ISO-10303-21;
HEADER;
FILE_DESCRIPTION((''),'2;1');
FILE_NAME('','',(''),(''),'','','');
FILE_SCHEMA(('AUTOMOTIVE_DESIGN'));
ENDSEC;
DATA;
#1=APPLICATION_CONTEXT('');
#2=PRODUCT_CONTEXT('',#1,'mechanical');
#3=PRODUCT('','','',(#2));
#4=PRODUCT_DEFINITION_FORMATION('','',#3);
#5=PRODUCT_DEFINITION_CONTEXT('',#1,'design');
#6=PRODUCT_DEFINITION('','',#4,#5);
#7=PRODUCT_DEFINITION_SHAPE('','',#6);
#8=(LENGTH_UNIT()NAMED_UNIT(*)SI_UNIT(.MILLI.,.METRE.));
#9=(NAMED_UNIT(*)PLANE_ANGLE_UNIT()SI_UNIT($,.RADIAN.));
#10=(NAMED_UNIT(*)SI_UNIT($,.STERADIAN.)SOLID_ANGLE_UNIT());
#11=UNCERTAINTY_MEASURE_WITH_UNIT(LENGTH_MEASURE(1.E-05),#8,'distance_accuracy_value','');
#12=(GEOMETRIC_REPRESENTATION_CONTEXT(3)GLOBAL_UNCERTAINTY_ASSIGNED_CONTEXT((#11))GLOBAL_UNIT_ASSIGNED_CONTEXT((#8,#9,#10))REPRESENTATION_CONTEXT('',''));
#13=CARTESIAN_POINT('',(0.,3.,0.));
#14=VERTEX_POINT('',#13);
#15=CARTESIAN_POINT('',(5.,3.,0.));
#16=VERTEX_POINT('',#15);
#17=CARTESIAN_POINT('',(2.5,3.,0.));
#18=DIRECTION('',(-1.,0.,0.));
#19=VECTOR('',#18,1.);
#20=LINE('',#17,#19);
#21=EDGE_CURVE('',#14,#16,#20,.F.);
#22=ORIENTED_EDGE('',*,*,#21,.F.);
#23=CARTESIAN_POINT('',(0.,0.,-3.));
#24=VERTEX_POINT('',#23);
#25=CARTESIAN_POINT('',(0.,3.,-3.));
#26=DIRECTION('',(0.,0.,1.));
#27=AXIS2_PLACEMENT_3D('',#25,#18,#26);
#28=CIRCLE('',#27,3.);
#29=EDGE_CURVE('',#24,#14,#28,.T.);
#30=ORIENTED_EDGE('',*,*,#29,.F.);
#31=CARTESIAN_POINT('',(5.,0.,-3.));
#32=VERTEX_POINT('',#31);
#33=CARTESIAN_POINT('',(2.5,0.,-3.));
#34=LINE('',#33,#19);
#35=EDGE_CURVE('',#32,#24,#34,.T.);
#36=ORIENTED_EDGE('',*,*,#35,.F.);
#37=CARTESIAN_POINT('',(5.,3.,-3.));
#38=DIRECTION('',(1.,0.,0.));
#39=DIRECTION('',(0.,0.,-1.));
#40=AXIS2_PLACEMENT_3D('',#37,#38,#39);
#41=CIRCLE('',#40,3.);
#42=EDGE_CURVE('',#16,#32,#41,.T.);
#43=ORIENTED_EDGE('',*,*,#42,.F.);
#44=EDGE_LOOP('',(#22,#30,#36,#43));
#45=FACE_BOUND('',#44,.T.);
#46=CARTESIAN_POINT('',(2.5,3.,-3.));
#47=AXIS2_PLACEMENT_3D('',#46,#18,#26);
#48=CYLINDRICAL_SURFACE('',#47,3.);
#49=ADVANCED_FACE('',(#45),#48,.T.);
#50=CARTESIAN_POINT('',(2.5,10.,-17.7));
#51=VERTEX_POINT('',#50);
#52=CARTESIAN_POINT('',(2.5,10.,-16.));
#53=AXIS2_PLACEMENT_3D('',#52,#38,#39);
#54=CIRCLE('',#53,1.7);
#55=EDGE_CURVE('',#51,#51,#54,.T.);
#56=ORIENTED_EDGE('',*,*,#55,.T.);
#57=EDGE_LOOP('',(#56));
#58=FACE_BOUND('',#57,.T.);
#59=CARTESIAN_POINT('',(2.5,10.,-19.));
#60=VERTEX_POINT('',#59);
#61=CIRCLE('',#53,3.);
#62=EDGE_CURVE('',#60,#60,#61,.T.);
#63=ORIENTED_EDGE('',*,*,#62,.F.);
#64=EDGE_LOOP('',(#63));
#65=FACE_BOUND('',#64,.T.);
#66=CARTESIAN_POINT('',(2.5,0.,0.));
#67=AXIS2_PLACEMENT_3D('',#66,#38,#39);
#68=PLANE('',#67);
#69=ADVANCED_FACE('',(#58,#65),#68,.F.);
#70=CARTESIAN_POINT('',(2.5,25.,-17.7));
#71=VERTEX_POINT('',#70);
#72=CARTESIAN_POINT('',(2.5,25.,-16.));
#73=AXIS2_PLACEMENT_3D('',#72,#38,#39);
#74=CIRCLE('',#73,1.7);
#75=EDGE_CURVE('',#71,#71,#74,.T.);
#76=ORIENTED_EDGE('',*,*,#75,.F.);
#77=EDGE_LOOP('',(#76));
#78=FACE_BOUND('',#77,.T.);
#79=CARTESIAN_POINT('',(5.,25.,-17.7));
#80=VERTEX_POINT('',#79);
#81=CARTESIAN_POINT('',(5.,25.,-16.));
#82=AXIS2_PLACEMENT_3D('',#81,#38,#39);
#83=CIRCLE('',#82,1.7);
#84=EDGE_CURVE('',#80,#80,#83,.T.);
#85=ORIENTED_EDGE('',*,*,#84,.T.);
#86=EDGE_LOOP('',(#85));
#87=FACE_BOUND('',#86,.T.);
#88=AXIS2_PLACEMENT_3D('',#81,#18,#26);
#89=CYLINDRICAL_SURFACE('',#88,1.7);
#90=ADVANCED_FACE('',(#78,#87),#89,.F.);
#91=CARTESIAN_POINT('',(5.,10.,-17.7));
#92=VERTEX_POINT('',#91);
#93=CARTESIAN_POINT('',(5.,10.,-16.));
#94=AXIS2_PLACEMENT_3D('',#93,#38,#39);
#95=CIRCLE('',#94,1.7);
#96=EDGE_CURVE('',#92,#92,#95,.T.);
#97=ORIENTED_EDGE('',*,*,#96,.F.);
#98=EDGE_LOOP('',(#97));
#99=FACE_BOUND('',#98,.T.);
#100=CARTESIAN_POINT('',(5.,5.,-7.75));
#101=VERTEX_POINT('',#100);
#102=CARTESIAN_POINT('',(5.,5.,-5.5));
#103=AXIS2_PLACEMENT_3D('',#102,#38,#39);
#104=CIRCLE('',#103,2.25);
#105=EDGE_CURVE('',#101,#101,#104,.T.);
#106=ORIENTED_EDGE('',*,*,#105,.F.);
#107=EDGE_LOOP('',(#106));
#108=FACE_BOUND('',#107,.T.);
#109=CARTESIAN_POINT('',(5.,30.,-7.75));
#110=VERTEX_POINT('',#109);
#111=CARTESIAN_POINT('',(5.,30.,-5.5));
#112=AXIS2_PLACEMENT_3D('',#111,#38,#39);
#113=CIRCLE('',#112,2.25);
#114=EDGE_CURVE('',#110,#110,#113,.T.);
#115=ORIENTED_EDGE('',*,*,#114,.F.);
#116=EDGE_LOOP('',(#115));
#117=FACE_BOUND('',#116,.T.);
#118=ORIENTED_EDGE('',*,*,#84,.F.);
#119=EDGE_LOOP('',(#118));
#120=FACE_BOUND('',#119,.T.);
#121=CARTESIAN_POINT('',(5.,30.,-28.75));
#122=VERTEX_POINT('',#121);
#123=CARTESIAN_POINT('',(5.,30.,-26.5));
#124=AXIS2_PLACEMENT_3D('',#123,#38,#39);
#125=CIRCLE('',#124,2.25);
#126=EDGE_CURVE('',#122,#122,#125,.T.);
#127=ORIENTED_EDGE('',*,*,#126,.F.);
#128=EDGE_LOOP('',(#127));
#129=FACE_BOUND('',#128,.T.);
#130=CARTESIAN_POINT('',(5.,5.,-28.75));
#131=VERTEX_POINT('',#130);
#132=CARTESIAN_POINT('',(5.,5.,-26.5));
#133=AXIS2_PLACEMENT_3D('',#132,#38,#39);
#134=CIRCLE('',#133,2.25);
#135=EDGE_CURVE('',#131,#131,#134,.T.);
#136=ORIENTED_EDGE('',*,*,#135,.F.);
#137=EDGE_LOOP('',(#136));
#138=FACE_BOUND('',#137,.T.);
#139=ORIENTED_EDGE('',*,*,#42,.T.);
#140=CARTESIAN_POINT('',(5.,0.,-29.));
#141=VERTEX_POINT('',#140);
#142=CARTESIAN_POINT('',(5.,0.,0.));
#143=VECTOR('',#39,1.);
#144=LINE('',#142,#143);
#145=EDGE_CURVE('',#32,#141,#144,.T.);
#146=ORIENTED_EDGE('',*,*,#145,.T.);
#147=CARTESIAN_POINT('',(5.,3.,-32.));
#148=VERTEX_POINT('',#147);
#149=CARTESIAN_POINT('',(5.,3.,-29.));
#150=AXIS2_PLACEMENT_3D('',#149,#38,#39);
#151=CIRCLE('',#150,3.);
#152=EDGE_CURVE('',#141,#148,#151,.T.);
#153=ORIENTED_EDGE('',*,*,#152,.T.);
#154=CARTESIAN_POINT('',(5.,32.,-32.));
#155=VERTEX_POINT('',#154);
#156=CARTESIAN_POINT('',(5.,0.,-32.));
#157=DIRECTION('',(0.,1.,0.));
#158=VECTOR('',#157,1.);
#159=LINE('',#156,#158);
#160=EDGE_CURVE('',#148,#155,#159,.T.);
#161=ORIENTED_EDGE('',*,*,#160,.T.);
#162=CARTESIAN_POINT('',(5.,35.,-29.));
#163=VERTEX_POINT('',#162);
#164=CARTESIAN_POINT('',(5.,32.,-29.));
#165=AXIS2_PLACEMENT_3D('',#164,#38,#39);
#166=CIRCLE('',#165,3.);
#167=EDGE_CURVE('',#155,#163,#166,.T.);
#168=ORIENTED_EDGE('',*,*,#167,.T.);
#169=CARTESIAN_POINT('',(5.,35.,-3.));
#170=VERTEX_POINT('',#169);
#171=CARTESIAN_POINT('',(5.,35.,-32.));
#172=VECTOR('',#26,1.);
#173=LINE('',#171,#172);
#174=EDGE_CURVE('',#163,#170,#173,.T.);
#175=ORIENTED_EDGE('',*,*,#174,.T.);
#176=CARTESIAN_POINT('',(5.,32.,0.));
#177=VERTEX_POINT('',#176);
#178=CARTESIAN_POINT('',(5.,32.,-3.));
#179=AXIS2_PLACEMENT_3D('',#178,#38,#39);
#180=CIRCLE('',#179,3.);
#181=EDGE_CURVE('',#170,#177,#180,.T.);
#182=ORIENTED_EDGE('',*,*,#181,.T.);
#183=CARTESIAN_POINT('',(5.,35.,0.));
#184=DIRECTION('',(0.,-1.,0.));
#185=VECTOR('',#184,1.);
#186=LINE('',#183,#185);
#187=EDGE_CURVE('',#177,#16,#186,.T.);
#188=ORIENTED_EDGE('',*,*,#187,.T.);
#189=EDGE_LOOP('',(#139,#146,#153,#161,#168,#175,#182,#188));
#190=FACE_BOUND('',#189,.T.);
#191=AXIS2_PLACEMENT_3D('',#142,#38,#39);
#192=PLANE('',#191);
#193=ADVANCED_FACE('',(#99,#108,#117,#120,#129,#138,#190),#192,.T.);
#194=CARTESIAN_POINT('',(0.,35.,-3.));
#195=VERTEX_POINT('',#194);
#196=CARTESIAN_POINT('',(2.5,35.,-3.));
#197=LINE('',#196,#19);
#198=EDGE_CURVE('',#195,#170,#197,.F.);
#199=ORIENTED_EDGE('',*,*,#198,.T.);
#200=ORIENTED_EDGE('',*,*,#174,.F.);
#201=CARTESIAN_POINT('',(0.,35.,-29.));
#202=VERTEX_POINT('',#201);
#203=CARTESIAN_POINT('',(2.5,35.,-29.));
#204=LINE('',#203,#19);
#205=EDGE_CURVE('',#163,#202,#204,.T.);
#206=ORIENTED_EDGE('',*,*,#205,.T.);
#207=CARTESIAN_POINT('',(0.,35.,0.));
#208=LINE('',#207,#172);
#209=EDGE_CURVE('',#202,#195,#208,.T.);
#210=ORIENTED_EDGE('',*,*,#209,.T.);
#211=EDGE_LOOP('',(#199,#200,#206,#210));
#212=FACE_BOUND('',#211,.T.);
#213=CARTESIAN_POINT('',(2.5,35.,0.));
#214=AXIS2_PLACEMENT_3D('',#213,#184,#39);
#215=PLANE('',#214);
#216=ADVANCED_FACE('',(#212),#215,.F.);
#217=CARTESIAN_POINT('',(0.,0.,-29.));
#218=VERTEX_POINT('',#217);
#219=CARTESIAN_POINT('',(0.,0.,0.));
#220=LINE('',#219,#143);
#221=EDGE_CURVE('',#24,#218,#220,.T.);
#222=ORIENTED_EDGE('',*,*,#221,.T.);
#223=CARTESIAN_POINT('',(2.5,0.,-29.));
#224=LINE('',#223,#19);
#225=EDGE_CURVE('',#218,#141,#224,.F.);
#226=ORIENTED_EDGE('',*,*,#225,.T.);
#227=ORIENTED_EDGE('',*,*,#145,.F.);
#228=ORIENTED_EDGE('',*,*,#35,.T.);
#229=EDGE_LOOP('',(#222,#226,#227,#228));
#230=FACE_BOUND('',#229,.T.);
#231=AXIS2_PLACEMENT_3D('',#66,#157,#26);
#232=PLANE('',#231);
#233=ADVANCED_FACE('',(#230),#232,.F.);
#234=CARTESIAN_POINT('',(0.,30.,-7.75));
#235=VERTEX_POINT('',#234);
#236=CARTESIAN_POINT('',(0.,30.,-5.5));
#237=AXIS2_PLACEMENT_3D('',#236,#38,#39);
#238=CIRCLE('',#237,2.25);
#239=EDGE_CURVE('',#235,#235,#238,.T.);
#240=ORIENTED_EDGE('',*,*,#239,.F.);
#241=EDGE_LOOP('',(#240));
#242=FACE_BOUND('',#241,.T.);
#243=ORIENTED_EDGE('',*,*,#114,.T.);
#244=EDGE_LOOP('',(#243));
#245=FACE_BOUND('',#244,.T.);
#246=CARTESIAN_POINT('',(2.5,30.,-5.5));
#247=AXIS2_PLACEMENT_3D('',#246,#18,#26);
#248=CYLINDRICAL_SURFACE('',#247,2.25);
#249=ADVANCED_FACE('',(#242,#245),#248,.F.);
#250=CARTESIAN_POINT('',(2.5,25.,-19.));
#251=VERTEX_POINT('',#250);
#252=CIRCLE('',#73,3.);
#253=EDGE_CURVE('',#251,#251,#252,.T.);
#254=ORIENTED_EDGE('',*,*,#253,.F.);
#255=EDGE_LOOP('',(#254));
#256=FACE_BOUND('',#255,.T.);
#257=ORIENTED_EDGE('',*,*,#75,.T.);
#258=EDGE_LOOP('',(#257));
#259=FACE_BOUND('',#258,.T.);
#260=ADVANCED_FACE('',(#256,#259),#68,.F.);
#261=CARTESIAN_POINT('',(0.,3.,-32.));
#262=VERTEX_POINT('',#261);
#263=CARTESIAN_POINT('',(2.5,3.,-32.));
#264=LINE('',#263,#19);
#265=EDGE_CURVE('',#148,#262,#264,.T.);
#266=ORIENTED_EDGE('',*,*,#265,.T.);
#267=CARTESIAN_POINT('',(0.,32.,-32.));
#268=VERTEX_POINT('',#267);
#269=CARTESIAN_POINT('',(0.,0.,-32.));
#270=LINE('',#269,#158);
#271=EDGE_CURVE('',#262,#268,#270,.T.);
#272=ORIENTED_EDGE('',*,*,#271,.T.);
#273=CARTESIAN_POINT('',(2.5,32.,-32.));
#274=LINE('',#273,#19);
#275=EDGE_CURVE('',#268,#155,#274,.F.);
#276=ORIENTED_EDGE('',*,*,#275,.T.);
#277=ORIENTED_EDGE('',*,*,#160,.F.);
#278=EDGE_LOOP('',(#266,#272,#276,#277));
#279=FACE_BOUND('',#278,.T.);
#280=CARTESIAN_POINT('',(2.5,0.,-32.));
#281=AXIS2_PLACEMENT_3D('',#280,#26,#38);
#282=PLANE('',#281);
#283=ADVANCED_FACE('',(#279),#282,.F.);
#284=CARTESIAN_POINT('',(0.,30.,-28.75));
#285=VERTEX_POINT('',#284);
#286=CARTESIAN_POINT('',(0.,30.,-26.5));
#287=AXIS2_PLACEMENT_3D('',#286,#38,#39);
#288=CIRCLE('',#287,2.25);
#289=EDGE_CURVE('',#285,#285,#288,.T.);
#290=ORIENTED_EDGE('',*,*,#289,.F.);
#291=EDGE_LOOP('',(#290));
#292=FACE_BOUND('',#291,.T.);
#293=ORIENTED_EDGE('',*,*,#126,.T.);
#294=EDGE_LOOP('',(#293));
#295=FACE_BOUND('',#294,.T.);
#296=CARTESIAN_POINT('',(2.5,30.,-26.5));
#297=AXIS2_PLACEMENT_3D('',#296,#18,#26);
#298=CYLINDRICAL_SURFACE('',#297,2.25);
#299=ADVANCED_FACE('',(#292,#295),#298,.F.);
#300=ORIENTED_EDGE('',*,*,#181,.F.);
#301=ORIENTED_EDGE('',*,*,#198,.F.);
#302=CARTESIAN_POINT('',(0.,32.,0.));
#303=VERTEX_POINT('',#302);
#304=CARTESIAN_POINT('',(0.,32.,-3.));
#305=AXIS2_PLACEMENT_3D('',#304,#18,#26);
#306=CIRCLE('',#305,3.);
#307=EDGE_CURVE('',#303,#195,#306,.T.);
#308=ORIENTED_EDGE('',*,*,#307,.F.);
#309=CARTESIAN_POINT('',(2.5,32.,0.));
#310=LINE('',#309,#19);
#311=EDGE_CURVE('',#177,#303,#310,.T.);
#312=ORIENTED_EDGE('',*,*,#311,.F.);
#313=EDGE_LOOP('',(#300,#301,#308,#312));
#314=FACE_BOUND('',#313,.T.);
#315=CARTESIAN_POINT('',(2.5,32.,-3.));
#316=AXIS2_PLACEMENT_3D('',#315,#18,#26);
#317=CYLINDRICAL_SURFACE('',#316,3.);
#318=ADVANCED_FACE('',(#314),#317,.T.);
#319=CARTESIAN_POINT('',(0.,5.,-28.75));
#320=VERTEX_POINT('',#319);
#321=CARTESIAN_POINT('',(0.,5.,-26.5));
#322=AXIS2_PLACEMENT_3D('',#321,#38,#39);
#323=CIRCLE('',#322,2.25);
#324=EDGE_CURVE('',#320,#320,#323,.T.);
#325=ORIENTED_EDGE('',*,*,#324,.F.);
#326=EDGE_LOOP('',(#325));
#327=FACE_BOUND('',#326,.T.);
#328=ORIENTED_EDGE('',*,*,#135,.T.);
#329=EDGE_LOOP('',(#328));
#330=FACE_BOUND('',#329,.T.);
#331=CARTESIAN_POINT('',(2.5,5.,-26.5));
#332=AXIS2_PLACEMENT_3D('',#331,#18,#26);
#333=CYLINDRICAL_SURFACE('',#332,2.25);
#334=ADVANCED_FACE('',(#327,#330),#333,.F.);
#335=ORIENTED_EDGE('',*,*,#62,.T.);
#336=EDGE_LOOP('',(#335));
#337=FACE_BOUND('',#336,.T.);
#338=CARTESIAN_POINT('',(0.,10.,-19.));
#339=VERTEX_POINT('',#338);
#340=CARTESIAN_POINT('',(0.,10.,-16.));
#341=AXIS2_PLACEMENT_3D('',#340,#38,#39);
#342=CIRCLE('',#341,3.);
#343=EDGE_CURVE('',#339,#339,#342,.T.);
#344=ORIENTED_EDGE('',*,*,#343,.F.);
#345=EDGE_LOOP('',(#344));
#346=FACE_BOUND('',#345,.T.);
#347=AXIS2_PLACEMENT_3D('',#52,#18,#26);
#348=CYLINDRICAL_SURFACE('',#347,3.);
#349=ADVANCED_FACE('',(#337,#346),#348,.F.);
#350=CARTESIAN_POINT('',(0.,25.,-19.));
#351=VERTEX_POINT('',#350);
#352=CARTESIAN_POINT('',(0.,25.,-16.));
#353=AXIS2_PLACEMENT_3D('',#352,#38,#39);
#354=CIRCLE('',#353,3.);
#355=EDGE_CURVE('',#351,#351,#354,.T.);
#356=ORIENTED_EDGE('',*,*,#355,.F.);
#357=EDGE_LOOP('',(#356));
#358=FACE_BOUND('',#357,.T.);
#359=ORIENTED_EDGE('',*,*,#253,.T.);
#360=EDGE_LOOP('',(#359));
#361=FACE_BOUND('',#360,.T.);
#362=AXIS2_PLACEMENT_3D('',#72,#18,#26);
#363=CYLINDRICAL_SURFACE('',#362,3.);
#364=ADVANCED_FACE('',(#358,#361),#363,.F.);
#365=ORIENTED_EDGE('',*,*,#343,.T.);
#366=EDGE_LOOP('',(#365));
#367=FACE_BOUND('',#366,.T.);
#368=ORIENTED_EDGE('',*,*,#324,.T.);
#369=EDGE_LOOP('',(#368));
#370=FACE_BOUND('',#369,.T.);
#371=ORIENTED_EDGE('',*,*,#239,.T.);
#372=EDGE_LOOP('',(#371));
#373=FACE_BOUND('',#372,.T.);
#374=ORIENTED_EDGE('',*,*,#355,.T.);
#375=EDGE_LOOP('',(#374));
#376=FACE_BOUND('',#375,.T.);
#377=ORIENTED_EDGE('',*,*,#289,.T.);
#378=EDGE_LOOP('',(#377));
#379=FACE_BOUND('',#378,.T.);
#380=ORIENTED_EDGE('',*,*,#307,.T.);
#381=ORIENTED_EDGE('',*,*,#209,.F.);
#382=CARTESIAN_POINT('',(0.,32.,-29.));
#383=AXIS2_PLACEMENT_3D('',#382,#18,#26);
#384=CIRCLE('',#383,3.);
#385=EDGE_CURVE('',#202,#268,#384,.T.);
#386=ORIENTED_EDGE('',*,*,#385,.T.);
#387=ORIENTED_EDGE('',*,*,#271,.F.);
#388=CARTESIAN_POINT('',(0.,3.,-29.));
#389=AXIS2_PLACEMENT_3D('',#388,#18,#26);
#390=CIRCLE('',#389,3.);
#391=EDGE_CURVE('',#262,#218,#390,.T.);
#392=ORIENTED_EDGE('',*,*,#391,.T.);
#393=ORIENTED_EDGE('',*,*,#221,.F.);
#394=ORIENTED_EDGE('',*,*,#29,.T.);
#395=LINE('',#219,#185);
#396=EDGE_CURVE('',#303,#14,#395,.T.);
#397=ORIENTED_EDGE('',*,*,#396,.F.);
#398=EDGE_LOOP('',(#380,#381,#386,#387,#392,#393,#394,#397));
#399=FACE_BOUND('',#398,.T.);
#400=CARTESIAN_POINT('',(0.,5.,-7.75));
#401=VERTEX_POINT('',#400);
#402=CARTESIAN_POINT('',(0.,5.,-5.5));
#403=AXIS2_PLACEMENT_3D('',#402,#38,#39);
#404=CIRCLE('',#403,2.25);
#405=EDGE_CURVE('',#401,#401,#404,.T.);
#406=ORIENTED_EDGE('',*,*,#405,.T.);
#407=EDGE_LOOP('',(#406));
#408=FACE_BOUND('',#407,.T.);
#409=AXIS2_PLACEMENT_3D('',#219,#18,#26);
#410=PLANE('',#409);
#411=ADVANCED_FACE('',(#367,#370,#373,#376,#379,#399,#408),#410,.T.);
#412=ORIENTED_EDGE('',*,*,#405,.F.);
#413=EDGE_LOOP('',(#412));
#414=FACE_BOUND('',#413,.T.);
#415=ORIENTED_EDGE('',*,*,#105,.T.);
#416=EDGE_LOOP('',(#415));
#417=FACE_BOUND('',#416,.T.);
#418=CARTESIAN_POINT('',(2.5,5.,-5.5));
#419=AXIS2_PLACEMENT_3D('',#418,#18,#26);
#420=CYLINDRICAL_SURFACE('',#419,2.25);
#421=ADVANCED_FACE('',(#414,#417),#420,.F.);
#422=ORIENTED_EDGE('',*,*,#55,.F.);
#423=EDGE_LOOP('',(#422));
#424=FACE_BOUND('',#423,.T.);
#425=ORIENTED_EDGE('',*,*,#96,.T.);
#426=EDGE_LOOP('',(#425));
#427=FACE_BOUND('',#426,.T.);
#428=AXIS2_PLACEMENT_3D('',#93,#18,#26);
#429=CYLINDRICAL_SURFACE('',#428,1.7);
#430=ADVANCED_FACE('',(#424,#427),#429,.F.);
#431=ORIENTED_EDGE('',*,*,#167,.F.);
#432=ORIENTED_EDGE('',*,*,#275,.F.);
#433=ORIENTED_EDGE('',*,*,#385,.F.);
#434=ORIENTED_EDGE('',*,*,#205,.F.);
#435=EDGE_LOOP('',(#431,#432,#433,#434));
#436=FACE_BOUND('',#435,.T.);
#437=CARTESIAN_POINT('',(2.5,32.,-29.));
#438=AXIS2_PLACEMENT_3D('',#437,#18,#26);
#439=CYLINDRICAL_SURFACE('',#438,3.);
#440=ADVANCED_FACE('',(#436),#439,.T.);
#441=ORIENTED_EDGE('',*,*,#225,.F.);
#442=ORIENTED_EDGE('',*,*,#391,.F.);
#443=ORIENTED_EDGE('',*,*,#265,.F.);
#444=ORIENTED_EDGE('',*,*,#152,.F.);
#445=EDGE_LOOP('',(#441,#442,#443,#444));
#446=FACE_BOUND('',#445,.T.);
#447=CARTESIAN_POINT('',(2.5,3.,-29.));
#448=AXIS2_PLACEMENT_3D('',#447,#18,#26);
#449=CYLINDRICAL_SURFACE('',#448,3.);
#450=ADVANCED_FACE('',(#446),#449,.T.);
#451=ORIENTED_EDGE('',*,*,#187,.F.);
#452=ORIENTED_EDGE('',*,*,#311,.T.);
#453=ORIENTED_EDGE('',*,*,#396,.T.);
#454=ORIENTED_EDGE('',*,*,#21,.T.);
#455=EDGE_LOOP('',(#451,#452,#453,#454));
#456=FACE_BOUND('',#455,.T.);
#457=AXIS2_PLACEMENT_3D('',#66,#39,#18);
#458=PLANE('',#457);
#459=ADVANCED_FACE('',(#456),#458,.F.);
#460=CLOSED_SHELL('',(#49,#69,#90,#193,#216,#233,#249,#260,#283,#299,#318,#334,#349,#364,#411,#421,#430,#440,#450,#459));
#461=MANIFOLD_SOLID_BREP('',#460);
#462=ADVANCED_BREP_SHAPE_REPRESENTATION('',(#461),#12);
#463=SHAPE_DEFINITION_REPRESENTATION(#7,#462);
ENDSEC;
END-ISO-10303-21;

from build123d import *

# Parameters (mm, degrees)
SKETCH_1_W      = 32
SKETCH_1_H      = 35
SKETCH_1_R      = 2.25
SKETCH_1_R_2    = 3
EXTRUDE_1_DEPTH = 2.5
SKETCH_2_W      = 32
SKETCH_2_H      = 35
SKETCH_2_R      = 2.25
SKETCH_2_R_2    = 1.7
EXTRUDE_2_DEPTH = 2.5
FILLET_1_R      = 3


with BuildPart() as part:
    # 草图1 → 凸台-拉伸1 (new body)
    with BuildSketch(Plane(origin=(0, 0, 0), x_dir=(0, 0, -1), z_dir=(1, 0, 0))):
        with Locations((16, 17.5)):
            Rectangle(SKETCH_1_W, SKETCH_1_H)
        with Locations((5.5, 30)):
            Circle(SKETCH_1_R, mode=Mode.SUBTRACT)
        with Locations((26.5, 30)):
            Circle(SKETCH_1_R, mode=Mode.SUBTRACT)
        with Locations((5.5, 5)):
            Circle(SKETCH_1_R, mode=Mode.SUBTRACT)
        with Locations((26.5, 5)):
            Circle(SKETCH_1_R, mode=Mode.SUBTRACT)
        with Locations((16, 25)):
            Circle(SKETCH_1_R_2, mode=Mode.SUBTRACT)
        with Locations((16, 10)):
            Circle(SKETCH_1_R_2, mode=Mode.SUBTRACT)
    extrude(amount=EXTRUDE_1_DEPTH)

    # 草图2 → 凸台-拉伸2 (add)
    with BuildSketch(Plane(origin=(2.5, 0, 0), x_dir=(0, 0, -1), z_dir=(1, 0, 0))):
        with Locations((16, 17.5)):
            Rectangle(SKETCH_2_W, SKETCH_2_H)
        with Locations((26.5, 5)):
            Circle(SKETCH_2_R, mode=Mode.SUBTRACT)
        with Locations((5.5, 5)):
            Circle(SKETCH_2_R, mode=Mode.SUBTRACT)
        with Locations((26.5, 30)):
            Circle(SKETCH_2_R, mode=Mode.SUBTRACT)
        with Locations((5.5, 30)):
            Circle(SKETCH_2_R, mode=Mode.SUBTRACT)
        with Locations((16, 25)):
            Circle(SKETCH_2_R_2, mode=Mode.SUBTRACT)
        with Locations((16, 10)):
            Circle(SKETCH_2_R_2, mode=Mode.SUBTRACT)
    extrude(amount=EXTRUDE_2_DEPTH)

    # 圆角1
    fillet_1_edges = [part.edges().sort_by_distance(p)[0] for p in [
        (2.5, 35, 0),
        (2.5, 35, -32),
        (2.5, 0, -32),
        (2.5, 0, 0),
    ]]
    fillet(fillet_1_edges, radius=FILLET_1_R)


solid = part.part
